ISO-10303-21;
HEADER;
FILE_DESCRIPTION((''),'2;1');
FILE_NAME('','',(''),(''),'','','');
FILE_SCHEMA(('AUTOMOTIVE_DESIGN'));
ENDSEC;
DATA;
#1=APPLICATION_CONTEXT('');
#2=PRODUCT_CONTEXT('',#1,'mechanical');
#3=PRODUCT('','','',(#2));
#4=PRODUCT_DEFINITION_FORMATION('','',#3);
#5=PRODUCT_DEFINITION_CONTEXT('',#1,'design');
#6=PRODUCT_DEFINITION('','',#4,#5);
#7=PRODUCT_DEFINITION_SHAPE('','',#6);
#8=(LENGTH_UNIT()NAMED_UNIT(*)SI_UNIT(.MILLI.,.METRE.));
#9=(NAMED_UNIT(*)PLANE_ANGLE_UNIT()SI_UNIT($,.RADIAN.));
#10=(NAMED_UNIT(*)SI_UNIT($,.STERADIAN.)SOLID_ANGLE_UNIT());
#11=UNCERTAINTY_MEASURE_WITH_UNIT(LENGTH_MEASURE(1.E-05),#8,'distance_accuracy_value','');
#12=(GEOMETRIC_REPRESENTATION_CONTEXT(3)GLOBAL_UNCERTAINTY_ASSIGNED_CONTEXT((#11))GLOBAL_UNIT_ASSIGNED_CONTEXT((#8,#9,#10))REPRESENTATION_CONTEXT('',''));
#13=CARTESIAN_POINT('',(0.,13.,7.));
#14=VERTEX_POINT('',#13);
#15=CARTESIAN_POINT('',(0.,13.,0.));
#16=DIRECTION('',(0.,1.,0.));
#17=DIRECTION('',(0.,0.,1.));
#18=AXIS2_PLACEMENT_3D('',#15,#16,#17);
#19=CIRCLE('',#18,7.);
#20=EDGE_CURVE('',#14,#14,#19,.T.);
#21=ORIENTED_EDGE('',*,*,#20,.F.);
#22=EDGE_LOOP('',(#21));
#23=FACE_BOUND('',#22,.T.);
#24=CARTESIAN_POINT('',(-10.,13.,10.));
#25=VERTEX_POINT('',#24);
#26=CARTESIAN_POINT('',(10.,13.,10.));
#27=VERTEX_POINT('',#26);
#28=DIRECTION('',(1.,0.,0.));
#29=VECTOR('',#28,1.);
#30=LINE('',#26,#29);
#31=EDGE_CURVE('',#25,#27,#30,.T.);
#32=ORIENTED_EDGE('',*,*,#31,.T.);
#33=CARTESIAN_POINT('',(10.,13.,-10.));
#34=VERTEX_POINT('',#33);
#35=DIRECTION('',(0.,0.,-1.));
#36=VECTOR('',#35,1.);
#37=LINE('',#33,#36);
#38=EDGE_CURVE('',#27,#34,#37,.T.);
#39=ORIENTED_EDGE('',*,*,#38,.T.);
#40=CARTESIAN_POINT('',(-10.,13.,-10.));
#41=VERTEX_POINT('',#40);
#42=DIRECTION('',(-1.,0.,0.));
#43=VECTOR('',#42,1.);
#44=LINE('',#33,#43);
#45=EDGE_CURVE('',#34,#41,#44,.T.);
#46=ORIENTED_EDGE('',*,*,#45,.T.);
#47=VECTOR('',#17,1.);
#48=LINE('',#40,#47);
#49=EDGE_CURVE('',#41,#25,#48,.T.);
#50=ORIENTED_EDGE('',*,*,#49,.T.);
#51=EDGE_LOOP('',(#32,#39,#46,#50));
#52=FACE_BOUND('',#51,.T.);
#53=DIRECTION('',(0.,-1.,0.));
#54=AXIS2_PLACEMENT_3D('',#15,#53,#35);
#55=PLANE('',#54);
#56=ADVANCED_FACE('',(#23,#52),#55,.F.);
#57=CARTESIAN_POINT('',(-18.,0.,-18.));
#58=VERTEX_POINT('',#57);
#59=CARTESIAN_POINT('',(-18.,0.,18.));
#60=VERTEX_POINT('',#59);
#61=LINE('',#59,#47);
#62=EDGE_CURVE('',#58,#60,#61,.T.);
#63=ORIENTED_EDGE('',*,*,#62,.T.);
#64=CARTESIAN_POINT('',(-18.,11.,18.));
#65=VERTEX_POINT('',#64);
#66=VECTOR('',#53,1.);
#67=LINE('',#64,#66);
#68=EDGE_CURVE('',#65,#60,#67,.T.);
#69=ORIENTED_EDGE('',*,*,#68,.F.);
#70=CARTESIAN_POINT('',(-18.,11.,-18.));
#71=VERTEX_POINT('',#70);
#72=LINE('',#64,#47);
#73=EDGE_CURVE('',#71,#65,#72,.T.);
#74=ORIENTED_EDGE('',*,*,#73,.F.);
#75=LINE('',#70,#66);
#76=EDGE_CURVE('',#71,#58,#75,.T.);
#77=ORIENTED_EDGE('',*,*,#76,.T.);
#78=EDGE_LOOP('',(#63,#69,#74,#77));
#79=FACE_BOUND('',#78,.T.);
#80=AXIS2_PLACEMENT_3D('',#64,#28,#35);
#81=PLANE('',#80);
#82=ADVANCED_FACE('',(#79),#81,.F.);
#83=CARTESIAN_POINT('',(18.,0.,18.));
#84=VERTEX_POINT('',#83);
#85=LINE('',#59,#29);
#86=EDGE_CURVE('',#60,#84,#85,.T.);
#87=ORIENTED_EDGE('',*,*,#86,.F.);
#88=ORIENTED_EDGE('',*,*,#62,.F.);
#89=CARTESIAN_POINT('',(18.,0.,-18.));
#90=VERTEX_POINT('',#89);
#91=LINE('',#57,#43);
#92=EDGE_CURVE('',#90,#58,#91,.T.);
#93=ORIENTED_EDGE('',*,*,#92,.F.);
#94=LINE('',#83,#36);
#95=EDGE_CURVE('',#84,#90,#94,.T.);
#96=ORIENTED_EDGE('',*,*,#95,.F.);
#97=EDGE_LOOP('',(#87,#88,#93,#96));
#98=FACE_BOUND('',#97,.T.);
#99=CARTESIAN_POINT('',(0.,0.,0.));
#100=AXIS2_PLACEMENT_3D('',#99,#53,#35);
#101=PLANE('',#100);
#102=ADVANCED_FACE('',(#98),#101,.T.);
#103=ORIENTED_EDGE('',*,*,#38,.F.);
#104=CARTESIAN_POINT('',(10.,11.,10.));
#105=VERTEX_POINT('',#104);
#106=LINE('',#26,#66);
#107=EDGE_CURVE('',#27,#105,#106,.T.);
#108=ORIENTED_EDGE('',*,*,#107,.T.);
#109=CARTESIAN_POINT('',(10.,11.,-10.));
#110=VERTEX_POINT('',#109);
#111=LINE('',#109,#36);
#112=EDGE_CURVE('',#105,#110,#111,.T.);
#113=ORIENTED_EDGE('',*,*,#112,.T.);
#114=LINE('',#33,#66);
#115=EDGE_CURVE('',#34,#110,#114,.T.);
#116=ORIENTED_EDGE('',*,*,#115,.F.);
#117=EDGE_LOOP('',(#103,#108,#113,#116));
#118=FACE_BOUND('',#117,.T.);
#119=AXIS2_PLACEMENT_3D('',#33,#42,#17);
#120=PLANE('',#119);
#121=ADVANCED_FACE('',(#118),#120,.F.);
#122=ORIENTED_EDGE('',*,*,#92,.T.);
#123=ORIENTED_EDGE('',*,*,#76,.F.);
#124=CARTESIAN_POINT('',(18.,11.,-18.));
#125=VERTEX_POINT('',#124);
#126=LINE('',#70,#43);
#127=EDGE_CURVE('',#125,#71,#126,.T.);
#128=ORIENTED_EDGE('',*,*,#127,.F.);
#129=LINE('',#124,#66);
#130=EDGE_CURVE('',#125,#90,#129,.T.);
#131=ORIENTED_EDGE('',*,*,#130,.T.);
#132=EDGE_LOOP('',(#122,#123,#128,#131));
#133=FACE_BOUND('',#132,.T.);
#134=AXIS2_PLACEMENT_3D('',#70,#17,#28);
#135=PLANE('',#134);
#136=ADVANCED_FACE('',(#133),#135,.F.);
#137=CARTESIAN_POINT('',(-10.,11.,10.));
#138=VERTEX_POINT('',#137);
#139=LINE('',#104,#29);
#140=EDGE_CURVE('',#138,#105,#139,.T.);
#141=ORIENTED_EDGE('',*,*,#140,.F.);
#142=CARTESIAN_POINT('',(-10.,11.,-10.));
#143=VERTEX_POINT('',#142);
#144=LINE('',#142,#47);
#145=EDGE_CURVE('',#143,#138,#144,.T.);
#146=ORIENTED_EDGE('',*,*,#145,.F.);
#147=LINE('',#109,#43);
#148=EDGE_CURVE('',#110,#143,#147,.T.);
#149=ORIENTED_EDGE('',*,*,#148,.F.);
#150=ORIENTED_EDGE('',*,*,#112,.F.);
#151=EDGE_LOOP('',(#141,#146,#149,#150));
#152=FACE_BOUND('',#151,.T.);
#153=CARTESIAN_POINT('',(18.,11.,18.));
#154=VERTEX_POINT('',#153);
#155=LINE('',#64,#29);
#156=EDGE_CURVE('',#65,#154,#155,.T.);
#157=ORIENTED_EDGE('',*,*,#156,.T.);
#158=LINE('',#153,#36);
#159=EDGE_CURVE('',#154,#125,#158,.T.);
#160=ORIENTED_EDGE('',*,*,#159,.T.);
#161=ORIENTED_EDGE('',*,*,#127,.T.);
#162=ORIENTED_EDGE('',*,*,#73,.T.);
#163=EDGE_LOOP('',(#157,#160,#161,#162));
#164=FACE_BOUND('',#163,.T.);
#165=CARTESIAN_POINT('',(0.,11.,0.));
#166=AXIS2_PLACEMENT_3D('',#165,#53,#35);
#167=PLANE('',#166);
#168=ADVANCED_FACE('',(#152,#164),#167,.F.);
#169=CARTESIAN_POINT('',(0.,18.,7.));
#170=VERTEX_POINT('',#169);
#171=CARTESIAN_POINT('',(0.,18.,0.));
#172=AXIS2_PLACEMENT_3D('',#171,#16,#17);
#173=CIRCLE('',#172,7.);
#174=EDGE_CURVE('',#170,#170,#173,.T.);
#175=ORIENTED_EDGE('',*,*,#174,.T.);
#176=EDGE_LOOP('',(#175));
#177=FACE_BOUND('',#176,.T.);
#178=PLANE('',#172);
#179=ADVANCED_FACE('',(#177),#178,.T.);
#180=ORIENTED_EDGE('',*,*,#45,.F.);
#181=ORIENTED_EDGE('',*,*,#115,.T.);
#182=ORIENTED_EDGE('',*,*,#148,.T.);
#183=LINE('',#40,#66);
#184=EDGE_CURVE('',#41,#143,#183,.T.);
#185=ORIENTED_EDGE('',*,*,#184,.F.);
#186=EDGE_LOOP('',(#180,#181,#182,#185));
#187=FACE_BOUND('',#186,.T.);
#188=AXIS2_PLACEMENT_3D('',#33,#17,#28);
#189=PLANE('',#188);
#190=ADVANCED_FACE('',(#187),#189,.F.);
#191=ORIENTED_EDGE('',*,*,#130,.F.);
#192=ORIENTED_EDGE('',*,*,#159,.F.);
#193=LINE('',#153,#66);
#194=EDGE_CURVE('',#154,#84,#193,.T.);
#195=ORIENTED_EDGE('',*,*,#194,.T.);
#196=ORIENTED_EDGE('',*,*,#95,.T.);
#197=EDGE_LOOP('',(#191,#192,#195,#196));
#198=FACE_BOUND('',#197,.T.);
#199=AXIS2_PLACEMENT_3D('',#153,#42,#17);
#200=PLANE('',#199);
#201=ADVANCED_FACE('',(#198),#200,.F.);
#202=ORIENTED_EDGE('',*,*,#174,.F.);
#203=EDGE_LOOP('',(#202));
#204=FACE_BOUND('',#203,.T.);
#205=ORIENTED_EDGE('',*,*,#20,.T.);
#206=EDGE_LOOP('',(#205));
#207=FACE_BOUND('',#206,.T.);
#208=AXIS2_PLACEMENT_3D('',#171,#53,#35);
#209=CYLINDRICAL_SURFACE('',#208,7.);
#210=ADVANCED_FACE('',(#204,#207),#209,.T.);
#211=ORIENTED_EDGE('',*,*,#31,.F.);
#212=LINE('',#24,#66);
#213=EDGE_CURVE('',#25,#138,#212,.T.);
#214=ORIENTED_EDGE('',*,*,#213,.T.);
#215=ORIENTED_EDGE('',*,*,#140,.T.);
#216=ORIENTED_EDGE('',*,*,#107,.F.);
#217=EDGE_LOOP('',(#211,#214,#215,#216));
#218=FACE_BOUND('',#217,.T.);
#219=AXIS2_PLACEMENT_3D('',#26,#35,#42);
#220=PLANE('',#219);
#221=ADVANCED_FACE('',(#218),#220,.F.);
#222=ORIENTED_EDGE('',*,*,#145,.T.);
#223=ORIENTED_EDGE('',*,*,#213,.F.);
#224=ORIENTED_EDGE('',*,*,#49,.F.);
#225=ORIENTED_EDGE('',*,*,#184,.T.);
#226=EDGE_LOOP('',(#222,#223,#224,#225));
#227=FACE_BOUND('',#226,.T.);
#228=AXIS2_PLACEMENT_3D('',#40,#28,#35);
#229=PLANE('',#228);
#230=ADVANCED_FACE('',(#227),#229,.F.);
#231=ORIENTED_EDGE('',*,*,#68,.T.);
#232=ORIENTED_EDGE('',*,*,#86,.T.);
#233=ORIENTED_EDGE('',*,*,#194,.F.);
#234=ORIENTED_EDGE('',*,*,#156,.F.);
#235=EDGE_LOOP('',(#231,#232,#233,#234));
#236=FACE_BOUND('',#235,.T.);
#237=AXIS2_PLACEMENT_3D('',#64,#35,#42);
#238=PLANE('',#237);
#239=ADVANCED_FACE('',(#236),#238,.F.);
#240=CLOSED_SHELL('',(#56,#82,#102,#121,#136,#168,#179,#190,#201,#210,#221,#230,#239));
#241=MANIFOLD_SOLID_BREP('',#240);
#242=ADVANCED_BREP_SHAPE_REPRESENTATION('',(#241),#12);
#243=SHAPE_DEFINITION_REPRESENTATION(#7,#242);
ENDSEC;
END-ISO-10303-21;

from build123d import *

# Parameters (mm, degrees)
SKETCH_1_W      = 36
SKETCH_1_H      = 36
EXTRUDE_1_DEPTH = 11
SKETCH_2_W      = 20
SKETCH_2_H      = 20
EXTRUDE_2_DEPTH = 2
SKETCH_4_R      = 7
EXTRUDE_4_DEPTH = 5


with BuildPart() as part:
    # 草图1 → 凸台-拉伸1 (new body)
    with BuildSketch(Plane(origin=(0, 0, 0), x_dir=(1, 0, 0), z_dir=(0, 1, 0))):
        Rectangle(SKETCH_1_W, SKETCH_1_H)
    extrude(amount=EXTRUDE_1_DEPTH)

    # 草图2 → 凸台-拉伸2 (add)
    with BuildSketch(Plane(origin=(0, 11, 0), x_dir=(1, 0, 0), z_dir=(0, 1, 0))):
        Rectangle(SKETCH_2_W, SKETCH_2_H)
    extrude(amount=EXTRUDE_2_DEPTH)

    # 草图4 → 凸台-拉伸4 (add)
    with BuildSketch(Plane(origin=(0, 13, 0), x_dir=(1, 0, 0), z_dir=(0, 1, 0))):
        with Locations(Location((0, 0, 0), (0, 0, 270))):
            Circle(SKETCH_4_R)
    extrude(amount=EXTRUDE_4_DEPTH)


solid = part.part
